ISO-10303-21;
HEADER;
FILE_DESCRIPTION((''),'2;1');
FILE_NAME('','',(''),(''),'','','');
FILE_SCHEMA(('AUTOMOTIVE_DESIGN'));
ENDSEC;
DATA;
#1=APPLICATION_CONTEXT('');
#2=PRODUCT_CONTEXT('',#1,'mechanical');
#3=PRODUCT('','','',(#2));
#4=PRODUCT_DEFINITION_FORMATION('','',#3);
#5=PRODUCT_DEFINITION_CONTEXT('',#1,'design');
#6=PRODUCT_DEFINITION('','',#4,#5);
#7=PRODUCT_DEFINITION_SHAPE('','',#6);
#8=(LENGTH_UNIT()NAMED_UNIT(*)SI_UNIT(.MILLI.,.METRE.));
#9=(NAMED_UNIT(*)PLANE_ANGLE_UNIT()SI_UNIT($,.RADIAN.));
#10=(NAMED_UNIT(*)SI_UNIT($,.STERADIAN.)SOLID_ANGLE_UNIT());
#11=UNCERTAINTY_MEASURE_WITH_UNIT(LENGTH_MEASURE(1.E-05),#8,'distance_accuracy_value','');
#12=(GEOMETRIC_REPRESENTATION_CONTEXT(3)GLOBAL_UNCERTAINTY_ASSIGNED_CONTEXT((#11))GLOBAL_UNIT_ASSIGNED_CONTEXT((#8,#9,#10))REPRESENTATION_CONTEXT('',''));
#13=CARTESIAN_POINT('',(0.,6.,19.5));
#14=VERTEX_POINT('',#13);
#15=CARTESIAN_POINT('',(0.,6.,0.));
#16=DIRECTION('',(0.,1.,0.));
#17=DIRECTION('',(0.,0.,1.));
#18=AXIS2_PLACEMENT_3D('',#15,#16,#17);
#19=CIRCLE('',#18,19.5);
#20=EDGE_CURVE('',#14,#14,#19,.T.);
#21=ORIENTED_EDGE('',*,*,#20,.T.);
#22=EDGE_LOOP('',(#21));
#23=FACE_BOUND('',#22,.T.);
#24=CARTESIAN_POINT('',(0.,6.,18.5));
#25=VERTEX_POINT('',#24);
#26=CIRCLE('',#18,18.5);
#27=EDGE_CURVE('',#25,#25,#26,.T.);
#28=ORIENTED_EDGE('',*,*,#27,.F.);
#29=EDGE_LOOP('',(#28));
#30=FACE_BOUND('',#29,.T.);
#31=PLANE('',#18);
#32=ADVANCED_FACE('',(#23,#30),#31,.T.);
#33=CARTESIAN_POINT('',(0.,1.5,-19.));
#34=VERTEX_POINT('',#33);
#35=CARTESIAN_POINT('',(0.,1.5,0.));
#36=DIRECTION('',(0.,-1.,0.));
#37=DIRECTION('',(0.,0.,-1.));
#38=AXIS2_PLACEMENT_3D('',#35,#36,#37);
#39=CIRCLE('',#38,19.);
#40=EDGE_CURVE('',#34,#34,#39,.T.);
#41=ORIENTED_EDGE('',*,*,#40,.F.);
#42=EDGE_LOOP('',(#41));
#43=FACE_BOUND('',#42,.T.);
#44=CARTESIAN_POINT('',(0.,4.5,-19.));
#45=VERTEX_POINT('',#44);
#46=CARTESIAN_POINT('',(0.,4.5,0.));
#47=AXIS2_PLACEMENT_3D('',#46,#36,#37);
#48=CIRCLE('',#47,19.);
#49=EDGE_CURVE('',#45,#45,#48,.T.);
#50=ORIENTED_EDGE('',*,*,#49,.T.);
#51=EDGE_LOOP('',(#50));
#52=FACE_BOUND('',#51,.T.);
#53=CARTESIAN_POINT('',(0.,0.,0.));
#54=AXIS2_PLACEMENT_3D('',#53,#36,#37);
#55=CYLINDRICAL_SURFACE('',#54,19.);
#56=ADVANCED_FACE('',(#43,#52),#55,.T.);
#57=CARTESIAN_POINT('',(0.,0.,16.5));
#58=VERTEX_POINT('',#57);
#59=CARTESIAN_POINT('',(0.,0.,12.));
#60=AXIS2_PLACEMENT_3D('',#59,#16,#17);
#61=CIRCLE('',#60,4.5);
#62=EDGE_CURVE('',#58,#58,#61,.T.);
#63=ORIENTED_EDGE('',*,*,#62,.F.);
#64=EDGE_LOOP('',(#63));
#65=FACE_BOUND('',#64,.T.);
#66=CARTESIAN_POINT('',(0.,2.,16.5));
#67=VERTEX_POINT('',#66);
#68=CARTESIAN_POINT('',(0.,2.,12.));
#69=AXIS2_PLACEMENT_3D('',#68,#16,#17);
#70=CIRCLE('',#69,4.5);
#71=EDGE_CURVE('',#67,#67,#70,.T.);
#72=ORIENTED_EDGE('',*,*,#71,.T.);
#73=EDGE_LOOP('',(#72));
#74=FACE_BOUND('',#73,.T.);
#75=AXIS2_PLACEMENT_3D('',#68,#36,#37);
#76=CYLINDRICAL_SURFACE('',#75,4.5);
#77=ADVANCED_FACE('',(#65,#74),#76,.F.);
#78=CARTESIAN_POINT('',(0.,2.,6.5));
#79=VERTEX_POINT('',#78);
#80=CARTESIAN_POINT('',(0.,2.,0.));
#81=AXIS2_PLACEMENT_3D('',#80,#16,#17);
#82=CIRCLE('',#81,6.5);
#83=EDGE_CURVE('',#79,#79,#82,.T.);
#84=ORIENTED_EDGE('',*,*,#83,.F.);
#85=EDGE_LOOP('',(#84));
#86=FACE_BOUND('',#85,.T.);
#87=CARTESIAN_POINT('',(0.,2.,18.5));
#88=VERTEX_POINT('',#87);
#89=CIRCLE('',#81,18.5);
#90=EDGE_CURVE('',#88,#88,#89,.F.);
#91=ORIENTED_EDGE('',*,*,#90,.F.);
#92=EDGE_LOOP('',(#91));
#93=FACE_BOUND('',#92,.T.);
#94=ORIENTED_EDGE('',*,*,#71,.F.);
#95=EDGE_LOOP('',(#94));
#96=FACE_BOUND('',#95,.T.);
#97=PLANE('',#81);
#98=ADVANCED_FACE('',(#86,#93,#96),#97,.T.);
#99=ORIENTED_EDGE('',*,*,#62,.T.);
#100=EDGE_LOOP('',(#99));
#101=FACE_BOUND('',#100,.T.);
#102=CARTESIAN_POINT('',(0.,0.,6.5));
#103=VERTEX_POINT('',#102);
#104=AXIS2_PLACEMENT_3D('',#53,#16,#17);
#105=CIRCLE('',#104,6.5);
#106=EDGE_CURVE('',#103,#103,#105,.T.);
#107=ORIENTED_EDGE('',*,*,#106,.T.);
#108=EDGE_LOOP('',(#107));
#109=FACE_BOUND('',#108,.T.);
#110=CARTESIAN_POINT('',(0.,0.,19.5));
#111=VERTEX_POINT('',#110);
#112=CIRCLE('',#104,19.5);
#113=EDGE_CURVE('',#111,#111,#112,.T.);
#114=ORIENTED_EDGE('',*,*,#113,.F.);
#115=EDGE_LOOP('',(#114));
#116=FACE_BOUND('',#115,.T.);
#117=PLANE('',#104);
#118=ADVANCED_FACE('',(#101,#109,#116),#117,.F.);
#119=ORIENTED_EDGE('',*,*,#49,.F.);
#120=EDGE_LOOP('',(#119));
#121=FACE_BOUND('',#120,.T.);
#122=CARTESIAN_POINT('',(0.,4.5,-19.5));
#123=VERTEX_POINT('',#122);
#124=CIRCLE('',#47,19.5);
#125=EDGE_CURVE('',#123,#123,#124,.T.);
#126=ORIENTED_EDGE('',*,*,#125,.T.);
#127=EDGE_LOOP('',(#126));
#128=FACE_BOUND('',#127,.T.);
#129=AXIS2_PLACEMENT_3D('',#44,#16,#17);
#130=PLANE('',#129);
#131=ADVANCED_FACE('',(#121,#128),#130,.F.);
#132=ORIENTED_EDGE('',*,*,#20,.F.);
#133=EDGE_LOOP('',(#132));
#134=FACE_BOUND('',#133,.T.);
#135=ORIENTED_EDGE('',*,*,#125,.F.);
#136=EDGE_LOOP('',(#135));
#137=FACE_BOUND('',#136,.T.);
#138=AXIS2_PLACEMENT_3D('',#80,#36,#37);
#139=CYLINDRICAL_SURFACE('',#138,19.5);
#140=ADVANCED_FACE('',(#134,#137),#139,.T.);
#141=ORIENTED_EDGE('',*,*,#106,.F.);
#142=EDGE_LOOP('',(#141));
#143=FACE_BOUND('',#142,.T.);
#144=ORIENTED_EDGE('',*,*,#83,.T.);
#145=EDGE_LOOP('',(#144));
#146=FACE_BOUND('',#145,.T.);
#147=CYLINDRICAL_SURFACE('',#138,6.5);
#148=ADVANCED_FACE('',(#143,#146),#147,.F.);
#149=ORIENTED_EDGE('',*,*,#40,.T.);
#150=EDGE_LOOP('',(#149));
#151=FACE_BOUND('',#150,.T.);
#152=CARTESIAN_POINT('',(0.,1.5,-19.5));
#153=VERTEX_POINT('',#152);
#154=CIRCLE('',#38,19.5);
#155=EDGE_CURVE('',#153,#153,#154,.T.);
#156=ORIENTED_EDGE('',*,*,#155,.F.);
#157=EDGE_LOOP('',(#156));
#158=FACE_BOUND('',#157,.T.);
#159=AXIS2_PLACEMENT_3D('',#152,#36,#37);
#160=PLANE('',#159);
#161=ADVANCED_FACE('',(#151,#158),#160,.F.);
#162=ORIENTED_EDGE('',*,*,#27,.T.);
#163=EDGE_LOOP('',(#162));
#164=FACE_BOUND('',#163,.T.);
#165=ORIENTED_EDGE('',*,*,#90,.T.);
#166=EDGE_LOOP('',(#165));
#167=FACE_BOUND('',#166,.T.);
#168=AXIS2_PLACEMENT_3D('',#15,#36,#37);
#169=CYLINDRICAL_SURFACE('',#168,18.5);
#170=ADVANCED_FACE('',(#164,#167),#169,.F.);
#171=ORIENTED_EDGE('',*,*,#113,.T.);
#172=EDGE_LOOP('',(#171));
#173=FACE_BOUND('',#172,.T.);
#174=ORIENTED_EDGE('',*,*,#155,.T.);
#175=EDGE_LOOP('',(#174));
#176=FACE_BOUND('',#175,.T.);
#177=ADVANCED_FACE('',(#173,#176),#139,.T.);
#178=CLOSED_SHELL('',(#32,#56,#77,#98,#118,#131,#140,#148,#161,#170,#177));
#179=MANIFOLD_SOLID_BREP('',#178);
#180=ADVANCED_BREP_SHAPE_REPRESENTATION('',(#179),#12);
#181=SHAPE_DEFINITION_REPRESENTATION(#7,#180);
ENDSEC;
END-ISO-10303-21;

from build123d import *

# Parameters (mm, degrees)
SKETCH2_R      = 19.5
SKETCH2_R_2    = 4.5
SKETCH2_R_3    = 6.5
LIDBASE_DEPTH  = 2
SKETCH2_4_R    = 19.5
SKETCH2_4_R_2  = 18.5
LIDWALLS_DEPTH = 6
SKETCH3_W      = 0.5
SKETCH3_H      = 3


with BuildPart() as part:
    # Sketch2 → LidBase (new body)
    with BuildSketch(Plane(origin=(0, 0, 0), x_dir=(1, 0, 0), z_dir=(0, 1, 0))):
        Circle(SKETCH2_R)
        with Locations((0, -12)):
            Circle(SKETCH2_R_2, mode=Mode.SUBTRACT)
        Circle(SKETCH2_R_3, mode=Mode.SUBTRACT)
    extrude(amount=LIDBASE_DEPTH)

    # Sketch2<4> → LidWalls (add)
    with BuildSketch(Plane(origin=(0, 0, 0), x_dir=(1, 0, 0), z_dir=(0, 1, 0))):
        Circle(SKETCH2_4_R)
        Circle(SKETCH2_4_R_2, mode=Mode.SUBTRACT)
    extrude(amount=LIDWALLS_DEPTH)

    # Sketch3 → Beltgrooves (revolve, cut)
    with BuildSketch(Plane(origin=(0, 0, 0), x_dir=(0, 0, -1), z_dir=(1, 0, 0))):
        with Locations((19.25, 3)):
            Rectangle(SKETCH3_W, SKETCH3_H)
    revolve(axis=Axis((0, 0, 0), (0, 1, 0)), mode=Mode.SUBTRACT)


solid = part.part
